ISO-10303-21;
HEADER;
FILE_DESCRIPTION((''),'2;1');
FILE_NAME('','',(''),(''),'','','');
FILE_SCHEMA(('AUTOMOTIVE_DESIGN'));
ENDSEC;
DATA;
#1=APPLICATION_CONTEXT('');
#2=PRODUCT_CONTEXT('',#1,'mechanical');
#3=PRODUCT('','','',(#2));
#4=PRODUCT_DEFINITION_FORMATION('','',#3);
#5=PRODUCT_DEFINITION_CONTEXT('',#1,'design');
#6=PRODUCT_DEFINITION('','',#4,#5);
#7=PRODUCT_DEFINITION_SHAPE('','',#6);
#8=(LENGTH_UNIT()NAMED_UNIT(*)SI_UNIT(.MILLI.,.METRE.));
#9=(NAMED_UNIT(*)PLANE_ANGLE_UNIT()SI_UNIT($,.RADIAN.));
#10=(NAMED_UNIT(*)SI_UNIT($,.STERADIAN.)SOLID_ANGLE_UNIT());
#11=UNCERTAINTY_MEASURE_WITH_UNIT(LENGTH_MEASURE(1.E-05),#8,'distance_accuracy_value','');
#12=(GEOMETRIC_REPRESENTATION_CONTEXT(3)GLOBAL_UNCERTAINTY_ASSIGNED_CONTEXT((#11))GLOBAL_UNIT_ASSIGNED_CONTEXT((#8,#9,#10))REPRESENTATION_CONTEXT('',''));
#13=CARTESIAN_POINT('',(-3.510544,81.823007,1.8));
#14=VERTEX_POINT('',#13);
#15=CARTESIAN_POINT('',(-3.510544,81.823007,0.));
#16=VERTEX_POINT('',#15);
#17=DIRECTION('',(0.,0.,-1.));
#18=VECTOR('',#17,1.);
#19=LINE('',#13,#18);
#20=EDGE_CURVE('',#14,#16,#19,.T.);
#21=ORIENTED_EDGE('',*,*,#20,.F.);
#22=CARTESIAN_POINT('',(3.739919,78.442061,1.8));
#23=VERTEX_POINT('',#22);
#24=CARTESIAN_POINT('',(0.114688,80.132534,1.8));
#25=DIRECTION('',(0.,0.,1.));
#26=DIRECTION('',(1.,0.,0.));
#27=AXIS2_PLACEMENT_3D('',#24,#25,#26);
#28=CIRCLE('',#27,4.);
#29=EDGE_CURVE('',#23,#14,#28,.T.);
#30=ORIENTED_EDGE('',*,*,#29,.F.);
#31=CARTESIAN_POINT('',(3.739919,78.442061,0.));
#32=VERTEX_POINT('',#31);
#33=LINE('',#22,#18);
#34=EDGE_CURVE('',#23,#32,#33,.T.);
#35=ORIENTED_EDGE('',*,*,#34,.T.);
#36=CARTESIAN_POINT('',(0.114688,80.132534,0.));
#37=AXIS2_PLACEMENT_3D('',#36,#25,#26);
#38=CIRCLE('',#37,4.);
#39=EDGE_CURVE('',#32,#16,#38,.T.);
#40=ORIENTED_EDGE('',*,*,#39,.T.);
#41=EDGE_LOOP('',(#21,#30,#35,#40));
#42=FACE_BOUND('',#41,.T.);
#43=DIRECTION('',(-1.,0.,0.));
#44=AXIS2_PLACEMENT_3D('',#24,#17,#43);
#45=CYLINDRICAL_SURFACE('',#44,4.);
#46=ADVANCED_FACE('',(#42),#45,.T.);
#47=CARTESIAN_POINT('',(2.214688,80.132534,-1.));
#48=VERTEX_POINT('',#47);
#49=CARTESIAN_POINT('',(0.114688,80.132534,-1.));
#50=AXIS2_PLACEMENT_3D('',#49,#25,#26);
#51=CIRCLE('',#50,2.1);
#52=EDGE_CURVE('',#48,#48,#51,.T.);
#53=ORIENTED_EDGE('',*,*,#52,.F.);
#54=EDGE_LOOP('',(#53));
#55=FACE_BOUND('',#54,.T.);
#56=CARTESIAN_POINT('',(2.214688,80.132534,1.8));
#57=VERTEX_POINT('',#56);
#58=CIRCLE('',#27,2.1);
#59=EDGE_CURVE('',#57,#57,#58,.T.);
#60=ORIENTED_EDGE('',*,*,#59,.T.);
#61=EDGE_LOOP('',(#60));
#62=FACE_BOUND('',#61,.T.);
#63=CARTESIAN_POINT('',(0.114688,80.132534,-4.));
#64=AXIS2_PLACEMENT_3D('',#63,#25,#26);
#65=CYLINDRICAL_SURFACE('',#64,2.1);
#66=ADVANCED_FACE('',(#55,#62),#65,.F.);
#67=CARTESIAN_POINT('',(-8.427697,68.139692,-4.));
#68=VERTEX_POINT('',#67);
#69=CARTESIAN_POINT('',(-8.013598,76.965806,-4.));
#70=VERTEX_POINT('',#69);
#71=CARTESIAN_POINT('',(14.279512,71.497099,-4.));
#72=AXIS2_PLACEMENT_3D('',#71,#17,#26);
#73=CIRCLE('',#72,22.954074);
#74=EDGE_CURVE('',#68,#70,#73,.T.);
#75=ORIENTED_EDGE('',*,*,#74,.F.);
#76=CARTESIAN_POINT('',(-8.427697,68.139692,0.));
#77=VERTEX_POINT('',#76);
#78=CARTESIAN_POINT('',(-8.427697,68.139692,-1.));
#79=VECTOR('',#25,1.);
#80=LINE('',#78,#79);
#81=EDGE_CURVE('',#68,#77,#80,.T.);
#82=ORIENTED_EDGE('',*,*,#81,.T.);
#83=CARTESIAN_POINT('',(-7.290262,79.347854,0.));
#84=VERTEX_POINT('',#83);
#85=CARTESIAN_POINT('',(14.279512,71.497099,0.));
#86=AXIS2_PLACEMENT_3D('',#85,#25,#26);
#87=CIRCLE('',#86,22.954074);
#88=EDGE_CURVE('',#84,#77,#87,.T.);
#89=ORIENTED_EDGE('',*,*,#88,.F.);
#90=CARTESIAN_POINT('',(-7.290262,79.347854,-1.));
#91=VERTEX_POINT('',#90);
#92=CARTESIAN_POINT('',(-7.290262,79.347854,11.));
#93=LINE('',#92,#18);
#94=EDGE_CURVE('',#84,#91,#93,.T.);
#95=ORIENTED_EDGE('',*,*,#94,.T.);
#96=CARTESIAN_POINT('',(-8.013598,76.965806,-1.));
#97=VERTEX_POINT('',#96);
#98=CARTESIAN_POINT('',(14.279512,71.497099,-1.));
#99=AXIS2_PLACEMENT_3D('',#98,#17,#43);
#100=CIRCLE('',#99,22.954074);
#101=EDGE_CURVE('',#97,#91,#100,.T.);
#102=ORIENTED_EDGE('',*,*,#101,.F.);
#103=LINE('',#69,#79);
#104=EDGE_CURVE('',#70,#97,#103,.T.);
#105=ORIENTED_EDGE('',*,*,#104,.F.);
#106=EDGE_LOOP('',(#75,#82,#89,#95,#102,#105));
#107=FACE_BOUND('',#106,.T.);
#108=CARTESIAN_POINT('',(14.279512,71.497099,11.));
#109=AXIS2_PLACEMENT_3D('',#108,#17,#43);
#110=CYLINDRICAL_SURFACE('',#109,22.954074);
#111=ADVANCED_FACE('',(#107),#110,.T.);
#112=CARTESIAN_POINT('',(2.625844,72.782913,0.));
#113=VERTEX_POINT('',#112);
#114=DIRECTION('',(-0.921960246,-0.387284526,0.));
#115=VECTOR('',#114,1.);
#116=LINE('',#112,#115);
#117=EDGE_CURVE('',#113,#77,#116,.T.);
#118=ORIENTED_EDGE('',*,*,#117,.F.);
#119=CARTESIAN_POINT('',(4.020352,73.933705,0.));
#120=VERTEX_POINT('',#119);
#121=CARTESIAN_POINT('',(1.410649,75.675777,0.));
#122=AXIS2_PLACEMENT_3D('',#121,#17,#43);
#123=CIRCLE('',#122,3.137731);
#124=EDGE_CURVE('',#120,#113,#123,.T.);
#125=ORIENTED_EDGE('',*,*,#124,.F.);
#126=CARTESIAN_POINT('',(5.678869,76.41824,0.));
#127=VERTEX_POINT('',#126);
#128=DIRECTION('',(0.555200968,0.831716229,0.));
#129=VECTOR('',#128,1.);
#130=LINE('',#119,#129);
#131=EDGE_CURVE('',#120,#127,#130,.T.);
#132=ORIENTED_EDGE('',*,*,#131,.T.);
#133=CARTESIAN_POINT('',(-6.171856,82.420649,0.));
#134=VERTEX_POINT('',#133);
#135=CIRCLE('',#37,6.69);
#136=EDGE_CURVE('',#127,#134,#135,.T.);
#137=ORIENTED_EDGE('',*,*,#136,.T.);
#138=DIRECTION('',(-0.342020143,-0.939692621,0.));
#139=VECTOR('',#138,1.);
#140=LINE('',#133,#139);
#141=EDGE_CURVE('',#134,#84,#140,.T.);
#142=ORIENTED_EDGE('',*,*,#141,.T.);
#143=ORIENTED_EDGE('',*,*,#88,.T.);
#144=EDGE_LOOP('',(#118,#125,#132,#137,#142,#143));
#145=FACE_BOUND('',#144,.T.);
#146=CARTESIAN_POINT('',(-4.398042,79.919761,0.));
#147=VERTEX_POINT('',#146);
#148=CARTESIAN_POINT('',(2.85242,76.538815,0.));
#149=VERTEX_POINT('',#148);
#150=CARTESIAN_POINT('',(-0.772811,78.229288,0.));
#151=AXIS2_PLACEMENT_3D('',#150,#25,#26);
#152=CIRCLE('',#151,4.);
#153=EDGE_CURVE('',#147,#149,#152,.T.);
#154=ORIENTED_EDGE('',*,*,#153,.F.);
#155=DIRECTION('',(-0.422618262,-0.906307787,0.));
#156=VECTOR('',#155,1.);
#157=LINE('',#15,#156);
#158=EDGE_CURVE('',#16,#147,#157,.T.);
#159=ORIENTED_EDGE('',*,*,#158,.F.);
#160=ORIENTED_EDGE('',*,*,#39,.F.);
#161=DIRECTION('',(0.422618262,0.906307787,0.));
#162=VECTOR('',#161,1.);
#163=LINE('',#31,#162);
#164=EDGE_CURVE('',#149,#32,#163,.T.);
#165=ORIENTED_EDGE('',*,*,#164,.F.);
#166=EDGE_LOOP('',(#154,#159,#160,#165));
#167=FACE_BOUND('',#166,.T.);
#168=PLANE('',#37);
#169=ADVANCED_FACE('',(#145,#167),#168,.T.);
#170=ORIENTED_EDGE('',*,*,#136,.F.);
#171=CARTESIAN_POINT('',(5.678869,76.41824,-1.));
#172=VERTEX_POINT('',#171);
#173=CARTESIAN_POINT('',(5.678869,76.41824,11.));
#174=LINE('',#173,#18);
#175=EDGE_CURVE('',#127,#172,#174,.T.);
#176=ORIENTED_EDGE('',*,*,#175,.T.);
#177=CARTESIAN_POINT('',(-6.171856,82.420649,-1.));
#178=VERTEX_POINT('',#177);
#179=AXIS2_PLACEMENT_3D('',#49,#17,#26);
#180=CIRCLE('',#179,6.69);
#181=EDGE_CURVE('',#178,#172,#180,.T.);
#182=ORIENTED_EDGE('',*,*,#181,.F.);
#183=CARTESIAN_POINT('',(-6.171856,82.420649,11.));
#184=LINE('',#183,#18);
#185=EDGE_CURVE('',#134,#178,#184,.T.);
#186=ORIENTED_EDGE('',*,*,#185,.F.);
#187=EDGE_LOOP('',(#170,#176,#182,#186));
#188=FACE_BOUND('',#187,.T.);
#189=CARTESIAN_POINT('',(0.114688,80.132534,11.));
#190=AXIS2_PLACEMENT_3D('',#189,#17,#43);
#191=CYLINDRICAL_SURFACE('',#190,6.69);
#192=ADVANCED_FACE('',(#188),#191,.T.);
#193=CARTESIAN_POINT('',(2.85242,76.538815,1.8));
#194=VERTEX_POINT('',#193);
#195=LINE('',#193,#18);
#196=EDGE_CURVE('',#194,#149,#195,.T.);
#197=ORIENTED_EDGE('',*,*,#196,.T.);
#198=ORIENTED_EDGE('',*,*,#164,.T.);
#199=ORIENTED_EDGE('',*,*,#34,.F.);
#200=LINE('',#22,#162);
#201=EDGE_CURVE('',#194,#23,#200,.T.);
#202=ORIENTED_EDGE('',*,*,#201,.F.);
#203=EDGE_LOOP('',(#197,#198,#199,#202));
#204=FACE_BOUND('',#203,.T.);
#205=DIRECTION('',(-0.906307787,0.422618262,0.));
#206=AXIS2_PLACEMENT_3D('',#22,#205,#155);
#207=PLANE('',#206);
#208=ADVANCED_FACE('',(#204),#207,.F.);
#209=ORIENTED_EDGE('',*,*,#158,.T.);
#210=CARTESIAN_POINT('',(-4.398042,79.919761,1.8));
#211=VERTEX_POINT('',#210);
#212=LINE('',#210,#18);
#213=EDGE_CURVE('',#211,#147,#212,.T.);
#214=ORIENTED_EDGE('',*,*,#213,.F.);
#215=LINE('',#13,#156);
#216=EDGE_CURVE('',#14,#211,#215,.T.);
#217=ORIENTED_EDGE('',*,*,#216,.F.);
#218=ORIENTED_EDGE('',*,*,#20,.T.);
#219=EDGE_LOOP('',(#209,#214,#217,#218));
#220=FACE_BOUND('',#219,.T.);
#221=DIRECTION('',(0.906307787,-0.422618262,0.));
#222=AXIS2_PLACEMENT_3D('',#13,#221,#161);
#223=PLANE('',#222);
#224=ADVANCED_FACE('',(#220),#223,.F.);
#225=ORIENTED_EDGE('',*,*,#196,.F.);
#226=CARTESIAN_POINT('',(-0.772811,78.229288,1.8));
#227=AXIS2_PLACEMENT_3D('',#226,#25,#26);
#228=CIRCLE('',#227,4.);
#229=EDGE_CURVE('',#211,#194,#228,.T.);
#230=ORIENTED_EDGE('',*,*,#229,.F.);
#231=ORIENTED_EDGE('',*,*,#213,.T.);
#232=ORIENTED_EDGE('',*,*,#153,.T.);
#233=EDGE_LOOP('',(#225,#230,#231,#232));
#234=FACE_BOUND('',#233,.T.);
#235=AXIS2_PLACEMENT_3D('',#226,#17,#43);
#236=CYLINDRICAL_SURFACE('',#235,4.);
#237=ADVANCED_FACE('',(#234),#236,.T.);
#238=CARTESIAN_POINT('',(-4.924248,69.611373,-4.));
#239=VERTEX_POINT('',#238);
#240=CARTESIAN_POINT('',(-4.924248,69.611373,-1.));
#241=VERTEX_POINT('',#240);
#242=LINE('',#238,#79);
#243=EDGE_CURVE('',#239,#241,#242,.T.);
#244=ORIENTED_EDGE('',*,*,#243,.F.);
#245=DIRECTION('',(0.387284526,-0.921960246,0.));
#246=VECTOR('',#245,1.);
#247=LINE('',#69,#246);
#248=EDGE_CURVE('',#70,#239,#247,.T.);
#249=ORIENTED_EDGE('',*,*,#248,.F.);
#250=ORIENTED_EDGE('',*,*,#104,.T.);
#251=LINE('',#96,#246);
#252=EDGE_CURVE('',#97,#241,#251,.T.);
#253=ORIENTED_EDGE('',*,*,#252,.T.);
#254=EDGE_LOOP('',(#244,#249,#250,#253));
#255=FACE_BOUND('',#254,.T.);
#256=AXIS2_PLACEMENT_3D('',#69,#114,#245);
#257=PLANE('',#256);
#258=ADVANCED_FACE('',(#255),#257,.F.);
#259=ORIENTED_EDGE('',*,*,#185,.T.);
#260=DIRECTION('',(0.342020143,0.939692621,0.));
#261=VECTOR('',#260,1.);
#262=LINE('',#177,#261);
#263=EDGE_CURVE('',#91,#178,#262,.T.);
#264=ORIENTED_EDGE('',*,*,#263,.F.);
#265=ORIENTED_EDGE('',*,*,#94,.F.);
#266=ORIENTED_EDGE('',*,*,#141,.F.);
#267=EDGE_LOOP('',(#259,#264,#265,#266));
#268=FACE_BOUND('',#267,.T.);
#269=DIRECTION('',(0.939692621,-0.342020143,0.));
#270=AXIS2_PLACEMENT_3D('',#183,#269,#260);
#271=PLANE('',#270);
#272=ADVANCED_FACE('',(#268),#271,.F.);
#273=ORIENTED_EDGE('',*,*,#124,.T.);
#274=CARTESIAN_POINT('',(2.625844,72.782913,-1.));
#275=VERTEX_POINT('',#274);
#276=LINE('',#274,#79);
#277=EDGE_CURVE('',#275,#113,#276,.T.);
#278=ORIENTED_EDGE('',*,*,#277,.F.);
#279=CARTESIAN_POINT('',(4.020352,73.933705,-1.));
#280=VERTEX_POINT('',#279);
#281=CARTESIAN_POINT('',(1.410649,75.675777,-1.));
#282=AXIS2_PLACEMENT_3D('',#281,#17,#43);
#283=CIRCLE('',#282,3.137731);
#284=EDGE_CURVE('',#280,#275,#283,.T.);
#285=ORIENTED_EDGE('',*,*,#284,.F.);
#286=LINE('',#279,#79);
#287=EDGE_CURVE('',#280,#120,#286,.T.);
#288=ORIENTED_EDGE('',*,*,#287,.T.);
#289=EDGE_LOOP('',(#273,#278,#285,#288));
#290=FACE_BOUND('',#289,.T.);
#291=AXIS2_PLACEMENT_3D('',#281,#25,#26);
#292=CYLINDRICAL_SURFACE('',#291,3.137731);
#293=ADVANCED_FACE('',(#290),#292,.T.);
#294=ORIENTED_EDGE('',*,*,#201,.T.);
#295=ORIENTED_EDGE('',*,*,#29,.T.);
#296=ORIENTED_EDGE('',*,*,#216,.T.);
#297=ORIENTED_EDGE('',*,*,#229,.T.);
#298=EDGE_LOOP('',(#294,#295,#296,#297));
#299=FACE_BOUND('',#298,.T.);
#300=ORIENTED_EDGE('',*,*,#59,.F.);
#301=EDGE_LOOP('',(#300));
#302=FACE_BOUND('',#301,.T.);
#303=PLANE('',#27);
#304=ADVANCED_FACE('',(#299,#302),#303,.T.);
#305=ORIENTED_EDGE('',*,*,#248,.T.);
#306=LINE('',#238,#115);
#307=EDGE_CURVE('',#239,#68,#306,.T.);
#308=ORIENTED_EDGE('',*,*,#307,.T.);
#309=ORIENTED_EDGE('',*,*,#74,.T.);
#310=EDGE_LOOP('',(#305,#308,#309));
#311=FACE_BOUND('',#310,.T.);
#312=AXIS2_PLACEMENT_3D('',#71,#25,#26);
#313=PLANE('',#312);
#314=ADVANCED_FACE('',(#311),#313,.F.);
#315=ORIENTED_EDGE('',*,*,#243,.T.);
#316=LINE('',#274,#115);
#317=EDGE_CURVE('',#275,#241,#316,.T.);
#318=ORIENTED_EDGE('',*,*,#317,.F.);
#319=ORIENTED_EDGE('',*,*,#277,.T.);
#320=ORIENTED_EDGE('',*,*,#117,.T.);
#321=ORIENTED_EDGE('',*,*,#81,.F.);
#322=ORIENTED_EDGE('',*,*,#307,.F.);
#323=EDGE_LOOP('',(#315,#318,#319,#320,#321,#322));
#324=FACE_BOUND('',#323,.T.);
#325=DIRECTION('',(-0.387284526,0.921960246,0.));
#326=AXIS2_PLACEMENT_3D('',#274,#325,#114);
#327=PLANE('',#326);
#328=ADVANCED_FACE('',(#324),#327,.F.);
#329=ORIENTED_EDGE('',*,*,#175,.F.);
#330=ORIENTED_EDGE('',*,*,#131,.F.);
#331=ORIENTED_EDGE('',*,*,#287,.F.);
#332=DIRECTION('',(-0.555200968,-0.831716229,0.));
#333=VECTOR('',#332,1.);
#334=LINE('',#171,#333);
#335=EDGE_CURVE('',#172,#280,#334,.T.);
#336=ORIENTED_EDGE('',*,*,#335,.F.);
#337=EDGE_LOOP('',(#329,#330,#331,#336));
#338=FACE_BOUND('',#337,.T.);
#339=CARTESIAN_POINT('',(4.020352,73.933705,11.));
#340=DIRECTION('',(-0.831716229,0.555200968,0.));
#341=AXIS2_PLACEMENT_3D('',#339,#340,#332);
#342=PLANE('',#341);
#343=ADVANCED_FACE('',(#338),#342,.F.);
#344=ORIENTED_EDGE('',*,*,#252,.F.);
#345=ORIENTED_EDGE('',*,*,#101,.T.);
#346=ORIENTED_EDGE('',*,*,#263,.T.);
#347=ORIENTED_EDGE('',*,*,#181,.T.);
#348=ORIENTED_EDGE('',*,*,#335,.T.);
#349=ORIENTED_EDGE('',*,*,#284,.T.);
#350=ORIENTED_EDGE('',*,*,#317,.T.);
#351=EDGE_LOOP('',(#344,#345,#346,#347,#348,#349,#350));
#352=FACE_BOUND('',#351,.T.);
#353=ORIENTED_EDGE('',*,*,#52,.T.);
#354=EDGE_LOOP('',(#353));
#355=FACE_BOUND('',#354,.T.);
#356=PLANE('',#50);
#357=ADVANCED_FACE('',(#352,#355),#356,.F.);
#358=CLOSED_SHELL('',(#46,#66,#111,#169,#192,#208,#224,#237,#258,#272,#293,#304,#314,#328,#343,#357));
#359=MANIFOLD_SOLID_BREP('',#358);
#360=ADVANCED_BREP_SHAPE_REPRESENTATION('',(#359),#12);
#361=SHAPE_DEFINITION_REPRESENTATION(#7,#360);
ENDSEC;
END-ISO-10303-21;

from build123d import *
from build123d.topology import SkipClean

# Parameters (mm, degrees)
SKETCH3_R           = 2.75
SKETCH3_R_2         = 2.1
BOSS_EXTRUDE2_DEPTH = 11
BOSS_EXTRUDE4_START = 1
BOSS_EXTRUDE4_DEPTH = 1
BOSS_EXTRUDE3_START = 3
BOSS_EXTRUDE3_DEPTH = 3
SKETCH14_W          = 47.285712055
SKETCH14_H          = 12.595473758
CUT_EXTRUDE1_DEPTH  = 92.326119258
BOSS_EXTRUDE5_DEPTH = 1.8
SKETCH15_R          = 2.1
CUT_EXTRUDE2_DEPTH  = 88.447358473


with BuildPart() as part:
    # Sketch3 → Boss-Extrude2 (new body)
    with BuildSketch(Plane.XY):
        with BuildLine():
            Line((11.81639044, 60.252883085), (11.728372068, 60.311638564))
            ThreePointArc((11.728372068, 60.311638564), (8.917204522, 62.7925154), (6.866230988, 65.931132995))
            ThreePointArc((6.866230988, 65.931132995), (6.025591445, 67.274340702), (4.901176311, 68.390840765))
            ThreePointArc((4.901176311, 68.390840765), (3.375934297, 70.989881123), (4.020351516, 73.93370524))
            Line((4.020351516, 73.93370524), (5.678869184, 76.41823992))
            ThreePointArc((5.678869184, 76.41823992), (3.137547336, 86.100651278), (-6.171856019, 82.420649156))
            Line((-6.171856019, 82.420649156), (-7.290261888, 79.347854286))
            ThreePointArc((-7.290261888, 79.347854286), (-8.557893098, 69.185727028), (-5.279809822, 59.483671095))
            ThreePointArc((-5.279809822, 59.483671095), (-2.848156457, 57.139360441), (0.414833066, 56.266646336))
            ThreePointArc((0.414833066, 56.266646336), (3.287818882, 55.822166382), (5.91364728, 54.574514525))
            Line((5.91364728, 54.574514525), (7.374782695, 53.599153256))
            ThreePointArc((7.374782695, 53.599153256), (10.815902262, 50.678650143), (13.499590609, 47.049812979))
            ThreePointArc((13.499590609, 47.049812979), (24.965953819, 46.665736496), (20.21385057, 57.108078892))
            ThreePointArc((20.21385057, 57.108078892), (15.833272198, 58.194897845), (11.81639044, 60.252883085))
        make_face()
        with Locations((19.351869275, 50.413343031)):
            Circle(SKETCH3_R, mode=Mode.SUBTRACT)
        with Locations((0.471910886, 63.016405008)):
            Circle(SKETCH3_R, mode=Mode.SUBTRACT)
        with Locations((0.114687614, 80.132534397)):
            Circle(SKETCH3_R_2, mode=Mode.SUBTRACT)
    extrude(amount=BOSS_EXTRUDE2_DEPTH)

    # Sketch13 → Boss-Extrude4 (add)
    with SkipClean():  # the faces are left unmerged after this step: merging them gives an invalid solid
        with BuildSketch(Plane(origin=(0, 0, 0), x_dir=(-1, 0, 0), z_dir=(0, 0, -1)).offset(BOSS_EXTRUDE4_START)):
            with BuildLine():
                Line((-5.678869184, 76.41823992), (-4.020351516, 73.93370524))
                ThreePointArc((-4.020351516, 73.93370524), (-3.407782277, 73.255690271), (-2.625844204, 72.782913134))
                Line((-2.625844204, 72.782913134), (8.427696777, 68.139691908))
                ThreePointArc((8.427696777, 68.139691908), (8.557268078, 73.814637343), (7.290261888, 79.347854286))
                Line((7.290261888, 79.347854286), (6.171856019, 82.420649156))
                ThreePointArc((6.171856019, 82.420649156), (-3.137547336, 86.100651278), (-5.678869184, 76.41823992))
            make_face()
        extrude(amount=-BOSS_EXTRUDE4_DEPTH)

    # Sketch12 → Boss-Extrude3 (add)
    with SkipClean():  # the faces are left unmerged after this step: merging them gives an invalid solid
        with BuildSketch(Plane(origin=(0, 0, -1), x_dir=(-1, 0, 0), z_dir=(0, 0, -1)).offset(BOSS_EXTRUDE3_START)):
            with BuildLine():
                Line((8.013597957, 76.965805827), (4.924247842, 69.611373108))
                Line((4.924247842, 69.611373108), (8.427696777, 68.139691908))
                ThreePointArc((8.427696777, 68.139691908), (8.649339764, 72.572862025), (8.013597957, 76.965805827))
            make_face()
        extrude(amount=-BOSS_EXTRUDE3_DEPTH)

    # Sketch14 → Cut-Extrude1 (cut, through all)
    with BuildSketch(Plane(origin=(0, 0, 0), x_dir=(1, 0, 0), z_dir=(0, 1, 0))):
        with Locations((8.412006537, -6.297736879)):
            Rectangle(SKETCH14_W, SKETCH14_H)
    extrude(amount=CUT_EXTRUDE1_DEPTH, mode=Mode.SUBTRACT)

    # Sketch16 → Boss-Extrude5 (add)
    with BuildSketch(Plane.XY):
        with BuildLine():
            Line((3.739918762, 78.44206135), (2.852420412, 76.538814997))
            ThreePointArc((2.852420412, 76.538814997), (-2.463283783, 74.604056896), (-4.398041884, 79.919761091))
            Line((-4.398041884, 79.919761091), (-3.510543534, 81.823007444))
            ThreePointArc((-3.510543534, 81.823007444), (1.805160661, 83.757765545), (3.739918762, 78.44206135))
        make_face()
    extrude(amount=BOSS_EXTRUDE5_DEPTH)

    # Sketch15 → Cut-Extrude2 (cut, through all)
    with BuildSketch(Plane.XY.offset(1.8)):
        with Locations((0.114687614, 80.132534397)):
            Circle(SKETCH15_R)
    extrude(amount=-CUT_EXTRUDE2_DEPTH, mode=Mode.SUBTRACT)


solid = part.part
